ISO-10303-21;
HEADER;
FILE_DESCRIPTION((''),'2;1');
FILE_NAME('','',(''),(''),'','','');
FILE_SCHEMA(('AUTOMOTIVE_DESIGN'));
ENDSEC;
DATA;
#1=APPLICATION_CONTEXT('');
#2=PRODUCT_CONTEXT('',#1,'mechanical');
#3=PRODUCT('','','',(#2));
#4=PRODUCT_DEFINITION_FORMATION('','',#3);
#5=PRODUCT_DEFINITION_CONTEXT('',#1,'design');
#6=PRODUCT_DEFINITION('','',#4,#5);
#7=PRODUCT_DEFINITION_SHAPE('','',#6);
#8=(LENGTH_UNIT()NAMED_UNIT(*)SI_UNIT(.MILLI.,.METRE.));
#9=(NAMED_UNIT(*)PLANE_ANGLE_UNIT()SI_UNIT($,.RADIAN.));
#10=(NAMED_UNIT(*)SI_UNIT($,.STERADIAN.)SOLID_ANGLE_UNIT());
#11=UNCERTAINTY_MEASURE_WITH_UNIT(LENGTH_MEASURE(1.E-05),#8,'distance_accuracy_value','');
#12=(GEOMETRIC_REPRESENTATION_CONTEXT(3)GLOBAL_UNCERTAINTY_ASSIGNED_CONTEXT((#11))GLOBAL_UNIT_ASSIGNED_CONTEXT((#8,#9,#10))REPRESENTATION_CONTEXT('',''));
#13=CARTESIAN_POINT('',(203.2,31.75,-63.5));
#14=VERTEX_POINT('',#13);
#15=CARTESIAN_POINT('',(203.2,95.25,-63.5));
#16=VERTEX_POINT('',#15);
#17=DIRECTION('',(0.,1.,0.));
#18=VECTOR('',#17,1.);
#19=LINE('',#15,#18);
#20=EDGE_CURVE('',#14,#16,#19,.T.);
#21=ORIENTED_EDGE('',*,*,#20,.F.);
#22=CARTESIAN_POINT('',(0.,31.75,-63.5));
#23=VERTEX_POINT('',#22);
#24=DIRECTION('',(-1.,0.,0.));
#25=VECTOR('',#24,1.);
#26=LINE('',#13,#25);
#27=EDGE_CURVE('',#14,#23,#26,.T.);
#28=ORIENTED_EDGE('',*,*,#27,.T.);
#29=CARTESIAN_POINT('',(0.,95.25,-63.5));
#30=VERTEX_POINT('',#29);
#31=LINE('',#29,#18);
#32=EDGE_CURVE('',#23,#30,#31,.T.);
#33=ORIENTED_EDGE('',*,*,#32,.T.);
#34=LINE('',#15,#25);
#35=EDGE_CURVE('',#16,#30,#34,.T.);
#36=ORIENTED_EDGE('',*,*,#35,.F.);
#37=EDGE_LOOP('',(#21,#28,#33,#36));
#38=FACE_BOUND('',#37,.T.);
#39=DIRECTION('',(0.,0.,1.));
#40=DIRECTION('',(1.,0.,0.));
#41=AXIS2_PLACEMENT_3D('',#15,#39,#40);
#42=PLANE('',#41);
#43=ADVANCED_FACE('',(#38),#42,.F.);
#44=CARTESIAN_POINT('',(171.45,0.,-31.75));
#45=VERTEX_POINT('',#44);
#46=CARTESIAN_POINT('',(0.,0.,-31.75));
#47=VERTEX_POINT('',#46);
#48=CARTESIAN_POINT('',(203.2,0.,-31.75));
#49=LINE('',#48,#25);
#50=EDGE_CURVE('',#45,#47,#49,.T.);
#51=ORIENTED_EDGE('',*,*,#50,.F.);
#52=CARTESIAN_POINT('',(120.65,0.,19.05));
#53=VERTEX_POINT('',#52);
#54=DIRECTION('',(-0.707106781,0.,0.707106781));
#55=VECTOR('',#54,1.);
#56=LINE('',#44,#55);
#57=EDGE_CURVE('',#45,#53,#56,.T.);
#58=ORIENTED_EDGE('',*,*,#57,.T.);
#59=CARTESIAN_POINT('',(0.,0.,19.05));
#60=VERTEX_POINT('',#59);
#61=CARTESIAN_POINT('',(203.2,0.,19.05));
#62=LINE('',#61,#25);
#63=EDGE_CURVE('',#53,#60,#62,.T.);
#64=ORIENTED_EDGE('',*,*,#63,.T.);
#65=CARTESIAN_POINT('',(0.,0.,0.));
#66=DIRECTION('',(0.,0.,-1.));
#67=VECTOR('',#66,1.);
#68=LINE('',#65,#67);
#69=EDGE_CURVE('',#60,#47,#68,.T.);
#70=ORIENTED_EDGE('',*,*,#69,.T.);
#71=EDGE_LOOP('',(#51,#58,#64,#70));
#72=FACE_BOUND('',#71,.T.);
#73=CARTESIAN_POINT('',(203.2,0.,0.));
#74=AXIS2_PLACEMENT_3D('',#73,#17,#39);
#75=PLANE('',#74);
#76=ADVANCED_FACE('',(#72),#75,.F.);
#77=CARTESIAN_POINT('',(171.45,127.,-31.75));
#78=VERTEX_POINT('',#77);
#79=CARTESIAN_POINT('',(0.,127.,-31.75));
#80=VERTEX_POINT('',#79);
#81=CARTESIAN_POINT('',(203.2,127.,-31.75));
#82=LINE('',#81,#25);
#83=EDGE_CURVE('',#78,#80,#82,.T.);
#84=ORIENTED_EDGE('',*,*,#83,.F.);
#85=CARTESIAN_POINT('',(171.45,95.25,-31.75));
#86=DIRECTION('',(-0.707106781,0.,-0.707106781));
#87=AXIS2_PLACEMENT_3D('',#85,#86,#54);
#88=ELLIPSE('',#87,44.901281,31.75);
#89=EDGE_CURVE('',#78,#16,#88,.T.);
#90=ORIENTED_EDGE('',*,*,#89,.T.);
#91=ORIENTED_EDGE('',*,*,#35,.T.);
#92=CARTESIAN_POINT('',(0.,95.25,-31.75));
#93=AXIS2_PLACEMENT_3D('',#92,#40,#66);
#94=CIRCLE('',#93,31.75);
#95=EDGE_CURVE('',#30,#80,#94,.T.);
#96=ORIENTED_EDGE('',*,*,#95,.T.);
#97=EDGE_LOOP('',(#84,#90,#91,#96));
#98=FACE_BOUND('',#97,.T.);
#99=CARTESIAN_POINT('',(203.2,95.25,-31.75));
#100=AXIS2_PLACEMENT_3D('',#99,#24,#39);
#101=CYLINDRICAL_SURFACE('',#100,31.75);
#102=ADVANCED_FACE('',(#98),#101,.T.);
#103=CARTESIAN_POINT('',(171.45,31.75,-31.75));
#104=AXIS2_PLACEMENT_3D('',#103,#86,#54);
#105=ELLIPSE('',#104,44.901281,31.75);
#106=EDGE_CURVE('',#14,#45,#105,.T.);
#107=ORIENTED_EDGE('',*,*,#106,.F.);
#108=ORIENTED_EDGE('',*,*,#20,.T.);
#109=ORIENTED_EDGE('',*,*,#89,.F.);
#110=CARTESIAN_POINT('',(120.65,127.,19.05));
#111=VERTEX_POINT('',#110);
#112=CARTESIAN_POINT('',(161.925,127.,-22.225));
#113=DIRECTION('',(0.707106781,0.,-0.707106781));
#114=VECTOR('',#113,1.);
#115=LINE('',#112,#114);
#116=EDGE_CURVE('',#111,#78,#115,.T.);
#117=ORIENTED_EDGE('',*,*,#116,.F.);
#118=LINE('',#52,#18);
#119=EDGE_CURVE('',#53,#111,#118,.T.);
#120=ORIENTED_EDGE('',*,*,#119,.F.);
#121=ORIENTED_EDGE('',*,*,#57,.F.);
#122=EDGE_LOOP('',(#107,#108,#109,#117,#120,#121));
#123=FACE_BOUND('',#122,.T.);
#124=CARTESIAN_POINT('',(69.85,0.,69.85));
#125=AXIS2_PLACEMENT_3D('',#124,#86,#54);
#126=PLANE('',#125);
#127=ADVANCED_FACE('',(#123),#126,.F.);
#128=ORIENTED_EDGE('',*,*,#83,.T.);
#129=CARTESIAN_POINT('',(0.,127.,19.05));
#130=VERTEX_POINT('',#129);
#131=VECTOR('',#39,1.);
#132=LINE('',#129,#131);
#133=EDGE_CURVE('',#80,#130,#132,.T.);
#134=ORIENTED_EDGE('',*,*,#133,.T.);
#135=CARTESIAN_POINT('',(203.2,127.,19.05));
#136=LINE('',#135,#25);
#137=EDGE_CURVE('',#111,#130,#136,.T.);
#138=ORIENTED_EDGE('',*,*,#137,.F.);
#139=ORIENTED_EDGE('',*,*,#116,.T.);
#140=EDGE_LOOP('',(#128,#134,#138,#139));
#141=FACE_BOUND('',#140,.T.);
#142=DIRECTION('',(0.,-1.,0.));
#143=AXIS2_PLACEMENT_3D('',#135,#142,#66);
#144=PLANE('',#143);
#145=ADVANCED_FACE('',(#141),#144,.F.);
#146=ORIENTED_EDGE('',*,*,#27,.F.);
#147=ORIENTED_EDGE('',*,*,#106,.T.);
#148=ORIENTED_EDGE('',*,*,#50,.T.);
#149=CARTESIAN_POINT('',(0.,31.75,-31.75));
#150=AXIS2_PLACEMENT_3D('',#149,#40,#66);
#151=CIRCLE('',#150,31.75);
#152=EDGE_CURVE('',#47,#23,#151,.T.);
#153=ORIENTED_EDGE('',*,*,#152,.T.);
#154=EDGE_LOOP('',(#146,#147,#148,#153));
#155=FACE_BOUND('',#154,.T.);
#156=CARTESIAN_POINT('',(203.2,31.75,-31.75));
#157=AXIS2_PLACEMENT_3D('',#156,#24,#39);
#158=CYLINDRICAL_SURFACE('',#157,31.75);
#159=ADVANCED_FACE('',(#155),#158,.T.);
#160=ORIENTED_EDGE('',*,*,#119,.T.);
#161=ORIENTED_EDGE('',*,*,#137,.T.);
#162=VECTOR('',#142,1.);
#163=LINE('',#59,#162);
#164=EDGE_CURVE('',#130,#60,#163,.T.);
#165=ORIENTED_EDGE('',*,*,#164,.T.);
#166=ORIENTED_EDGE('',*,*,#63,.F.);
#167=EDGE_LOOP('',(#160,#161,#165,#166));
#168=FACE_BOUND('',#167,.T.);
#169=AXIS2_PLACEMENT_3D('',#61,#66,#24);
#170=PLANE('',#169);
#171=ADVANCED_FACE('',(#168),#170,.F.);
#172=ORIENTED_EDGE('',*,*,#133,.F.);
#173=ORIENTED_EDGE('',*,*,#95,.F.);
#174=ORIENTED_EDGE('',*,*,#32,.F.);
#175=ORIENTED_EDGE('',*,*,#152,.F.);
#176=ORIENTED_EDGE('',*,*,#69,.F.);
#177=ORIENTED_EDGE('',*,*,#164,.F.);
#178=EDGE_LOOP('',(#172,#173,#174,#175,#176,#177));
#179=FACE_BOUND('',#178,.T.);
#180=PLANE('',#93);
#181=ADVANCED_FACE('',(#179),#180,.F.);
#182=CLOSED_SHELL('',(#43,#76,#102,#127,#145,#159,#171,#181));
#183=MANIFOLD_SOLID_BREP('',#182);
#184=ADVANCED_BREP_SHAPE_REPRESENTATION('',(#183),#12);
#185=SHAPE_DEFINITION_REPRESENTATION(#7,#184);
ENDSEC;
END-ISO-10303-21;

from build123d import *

# Parameters (mm, degrees)
BOSS_EXTRUDE1_DEPTH = 203.2
SKETCH2_W           = 344.402501539
SKETCH2_H           = 780.457540957
CUT_EXTRUDE1_DEPTH  = 59.371664787


with BuildPart() as part:
    # Sketch1 → Boss-Extrude1 (new body)
    with BuildSketch(Plane(origin=(0, 0, 0), x_dir=(0, 0, -1), z_dir=(1, 0, 0))):
        with BuildLine():
            Line((0, 0), (31.75, 0))
            ThreePointArc((31.75, 0), (54.200640303, 9.299359697), (63.5, 31.75))
            Line((63.5, 31.75), (63.5, 95.25))
            ThreePointArc((63.5, 95.25), (54.200640303, 117.700640303), (31.75, 127))
            Line((31.75, 127), (0, 127))
            Line((0, 127), (-19.05, 127))
            Line((-19.05, 127), (-19.05, 0))
            Line((-19.05, 0), (0, 0))
        make_face()
    extrude(amount=BOSS_EXTRUDE1_DEPTH)

    # Sketch2 → Cut-Extrude1 (cut, through all)
    with BuildSketch(Plane(origin=(69.85, 0, 69.85), x_dir=(0, 1, 0), z_dir=(0.707106781, 0, 0.707106781))):
        with Locations((32.995160032, -188.585378543)):
            Rectangle(SKETCH2_W, SKETCH2_H)
    extrude(amount=CUT_EXTRUDE1_DEPTH, mode=Mode.SUBTRACT)


solid = part.part
